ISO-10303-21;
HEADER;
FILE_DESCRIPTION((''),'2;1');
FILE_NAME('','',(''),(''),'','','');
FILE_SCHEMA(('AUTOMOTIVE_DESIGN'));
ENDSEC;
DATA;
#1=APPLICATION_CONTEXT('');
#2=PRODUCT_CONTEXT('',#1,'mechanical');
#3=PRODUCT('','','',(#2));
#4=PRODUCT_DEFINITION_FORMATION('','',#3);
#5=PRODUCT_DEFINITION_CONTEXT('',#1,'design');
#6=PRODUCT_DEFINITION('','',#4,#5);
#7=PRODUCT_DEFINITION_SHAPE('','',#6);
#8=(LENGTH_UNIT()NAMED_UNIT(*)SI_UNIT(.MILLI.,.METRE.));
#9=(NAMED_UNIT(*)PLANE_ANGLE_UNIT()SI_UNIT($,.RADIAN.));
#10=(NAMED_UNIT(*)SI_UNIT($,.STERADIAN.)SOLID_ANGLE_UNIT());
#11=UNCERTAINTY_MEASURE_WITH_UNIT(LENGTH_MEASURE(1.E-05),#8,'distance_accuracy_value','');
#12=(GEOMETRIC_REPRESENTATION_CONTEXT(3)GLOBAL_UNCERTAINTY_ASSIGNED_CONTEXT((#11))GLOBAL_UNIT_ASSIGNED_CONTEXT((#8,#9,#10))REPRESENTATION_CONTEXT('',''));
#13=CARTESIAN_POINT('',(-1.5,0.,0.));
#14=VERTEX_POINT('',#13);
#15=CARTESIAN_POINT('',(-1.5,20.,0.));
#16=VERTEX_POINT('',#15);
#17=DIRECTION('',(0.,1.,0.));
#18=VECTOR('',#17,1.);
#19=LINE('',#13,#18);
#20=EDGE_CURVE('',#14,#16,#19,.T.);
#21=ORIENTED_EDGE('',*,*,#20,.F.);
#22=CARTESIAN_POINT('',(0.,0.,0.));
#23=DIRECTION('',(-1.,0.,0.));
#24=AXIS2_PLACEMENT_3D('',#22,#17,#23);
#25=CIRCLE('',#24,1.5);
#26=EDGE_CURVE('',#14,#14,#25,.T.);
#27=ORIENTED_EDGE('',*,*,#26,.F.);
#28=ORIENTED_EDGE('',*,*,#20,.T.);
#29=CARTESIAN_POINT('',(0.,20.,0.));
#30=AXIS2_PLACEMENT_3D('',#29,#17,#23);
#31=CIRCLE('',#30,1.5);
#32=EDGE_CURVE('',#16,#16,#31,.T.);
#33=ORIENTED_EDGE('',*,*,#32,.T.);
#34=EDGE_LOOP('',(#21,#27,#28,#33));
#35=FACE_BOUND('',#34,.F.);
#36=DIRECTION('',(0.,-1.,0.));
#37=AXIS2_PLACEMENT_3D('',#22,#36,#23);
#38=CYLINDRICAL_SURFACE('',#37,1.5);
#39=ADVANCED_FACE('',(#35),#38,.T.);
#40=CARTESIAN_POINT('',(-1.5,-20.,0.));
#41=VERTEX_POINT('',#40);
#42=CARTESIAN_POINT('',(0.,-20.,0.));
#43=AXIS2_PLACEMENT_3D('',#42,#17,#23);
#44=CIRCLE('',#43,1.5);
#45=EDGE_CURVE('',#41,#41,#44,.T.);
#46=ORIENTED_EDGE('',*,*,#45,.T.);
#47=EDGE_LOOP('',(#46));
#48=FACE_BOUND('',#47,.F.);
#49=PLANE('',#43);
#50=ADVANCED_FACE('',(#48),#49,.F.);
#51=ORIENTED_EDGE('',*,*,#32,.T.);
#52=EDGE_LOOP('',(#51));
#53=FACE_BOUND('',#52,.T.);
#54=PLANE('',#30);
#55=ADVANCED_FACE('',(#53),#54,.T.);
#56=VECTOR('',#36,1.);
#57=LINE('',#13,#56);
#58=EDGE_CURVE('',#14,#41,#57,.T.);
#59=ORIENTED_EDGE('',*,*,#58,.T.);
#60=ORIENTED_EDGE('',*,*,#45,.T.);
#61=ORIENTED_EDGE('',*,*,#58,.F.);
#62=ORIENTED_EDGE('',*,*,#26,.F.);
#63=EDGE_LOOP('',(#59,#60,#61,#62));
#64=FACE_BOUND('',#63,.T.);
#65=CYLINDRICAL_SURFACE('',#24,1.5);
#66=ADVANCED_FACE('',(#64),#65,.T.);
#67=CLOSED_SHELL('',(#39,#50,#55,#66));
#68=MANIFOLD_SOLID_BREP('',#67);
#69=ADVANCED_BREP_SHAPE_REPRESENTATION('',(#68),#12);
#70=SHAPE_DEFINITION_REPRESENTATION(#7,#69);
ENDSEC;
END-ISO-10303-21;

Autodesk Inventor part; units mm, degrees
ref_plane "YZ Plane" through (0, 0, 0) normal (1, 0, 0) x (0, 1, 0)
ref_plane "XZ Plane" through (0, 0, 0) normal (0, 1, 0) x (-1, 0, 0)
ref_plane "XY Plane" through (0, 0, 0) normal (0, 0, 1) x (1, 0, 0)
sketch "Esquisse1" plane through (0, 0, 0) normal (0, 1, 0) x (-1, 0, 0)
  circle A0 centre (0, 0) radius 1.5
  dimension "d0" = 3
extrude "Extrusion1" add sketch "Esquisse1" along normal mid plane 40
properties part number "barre plaque"
